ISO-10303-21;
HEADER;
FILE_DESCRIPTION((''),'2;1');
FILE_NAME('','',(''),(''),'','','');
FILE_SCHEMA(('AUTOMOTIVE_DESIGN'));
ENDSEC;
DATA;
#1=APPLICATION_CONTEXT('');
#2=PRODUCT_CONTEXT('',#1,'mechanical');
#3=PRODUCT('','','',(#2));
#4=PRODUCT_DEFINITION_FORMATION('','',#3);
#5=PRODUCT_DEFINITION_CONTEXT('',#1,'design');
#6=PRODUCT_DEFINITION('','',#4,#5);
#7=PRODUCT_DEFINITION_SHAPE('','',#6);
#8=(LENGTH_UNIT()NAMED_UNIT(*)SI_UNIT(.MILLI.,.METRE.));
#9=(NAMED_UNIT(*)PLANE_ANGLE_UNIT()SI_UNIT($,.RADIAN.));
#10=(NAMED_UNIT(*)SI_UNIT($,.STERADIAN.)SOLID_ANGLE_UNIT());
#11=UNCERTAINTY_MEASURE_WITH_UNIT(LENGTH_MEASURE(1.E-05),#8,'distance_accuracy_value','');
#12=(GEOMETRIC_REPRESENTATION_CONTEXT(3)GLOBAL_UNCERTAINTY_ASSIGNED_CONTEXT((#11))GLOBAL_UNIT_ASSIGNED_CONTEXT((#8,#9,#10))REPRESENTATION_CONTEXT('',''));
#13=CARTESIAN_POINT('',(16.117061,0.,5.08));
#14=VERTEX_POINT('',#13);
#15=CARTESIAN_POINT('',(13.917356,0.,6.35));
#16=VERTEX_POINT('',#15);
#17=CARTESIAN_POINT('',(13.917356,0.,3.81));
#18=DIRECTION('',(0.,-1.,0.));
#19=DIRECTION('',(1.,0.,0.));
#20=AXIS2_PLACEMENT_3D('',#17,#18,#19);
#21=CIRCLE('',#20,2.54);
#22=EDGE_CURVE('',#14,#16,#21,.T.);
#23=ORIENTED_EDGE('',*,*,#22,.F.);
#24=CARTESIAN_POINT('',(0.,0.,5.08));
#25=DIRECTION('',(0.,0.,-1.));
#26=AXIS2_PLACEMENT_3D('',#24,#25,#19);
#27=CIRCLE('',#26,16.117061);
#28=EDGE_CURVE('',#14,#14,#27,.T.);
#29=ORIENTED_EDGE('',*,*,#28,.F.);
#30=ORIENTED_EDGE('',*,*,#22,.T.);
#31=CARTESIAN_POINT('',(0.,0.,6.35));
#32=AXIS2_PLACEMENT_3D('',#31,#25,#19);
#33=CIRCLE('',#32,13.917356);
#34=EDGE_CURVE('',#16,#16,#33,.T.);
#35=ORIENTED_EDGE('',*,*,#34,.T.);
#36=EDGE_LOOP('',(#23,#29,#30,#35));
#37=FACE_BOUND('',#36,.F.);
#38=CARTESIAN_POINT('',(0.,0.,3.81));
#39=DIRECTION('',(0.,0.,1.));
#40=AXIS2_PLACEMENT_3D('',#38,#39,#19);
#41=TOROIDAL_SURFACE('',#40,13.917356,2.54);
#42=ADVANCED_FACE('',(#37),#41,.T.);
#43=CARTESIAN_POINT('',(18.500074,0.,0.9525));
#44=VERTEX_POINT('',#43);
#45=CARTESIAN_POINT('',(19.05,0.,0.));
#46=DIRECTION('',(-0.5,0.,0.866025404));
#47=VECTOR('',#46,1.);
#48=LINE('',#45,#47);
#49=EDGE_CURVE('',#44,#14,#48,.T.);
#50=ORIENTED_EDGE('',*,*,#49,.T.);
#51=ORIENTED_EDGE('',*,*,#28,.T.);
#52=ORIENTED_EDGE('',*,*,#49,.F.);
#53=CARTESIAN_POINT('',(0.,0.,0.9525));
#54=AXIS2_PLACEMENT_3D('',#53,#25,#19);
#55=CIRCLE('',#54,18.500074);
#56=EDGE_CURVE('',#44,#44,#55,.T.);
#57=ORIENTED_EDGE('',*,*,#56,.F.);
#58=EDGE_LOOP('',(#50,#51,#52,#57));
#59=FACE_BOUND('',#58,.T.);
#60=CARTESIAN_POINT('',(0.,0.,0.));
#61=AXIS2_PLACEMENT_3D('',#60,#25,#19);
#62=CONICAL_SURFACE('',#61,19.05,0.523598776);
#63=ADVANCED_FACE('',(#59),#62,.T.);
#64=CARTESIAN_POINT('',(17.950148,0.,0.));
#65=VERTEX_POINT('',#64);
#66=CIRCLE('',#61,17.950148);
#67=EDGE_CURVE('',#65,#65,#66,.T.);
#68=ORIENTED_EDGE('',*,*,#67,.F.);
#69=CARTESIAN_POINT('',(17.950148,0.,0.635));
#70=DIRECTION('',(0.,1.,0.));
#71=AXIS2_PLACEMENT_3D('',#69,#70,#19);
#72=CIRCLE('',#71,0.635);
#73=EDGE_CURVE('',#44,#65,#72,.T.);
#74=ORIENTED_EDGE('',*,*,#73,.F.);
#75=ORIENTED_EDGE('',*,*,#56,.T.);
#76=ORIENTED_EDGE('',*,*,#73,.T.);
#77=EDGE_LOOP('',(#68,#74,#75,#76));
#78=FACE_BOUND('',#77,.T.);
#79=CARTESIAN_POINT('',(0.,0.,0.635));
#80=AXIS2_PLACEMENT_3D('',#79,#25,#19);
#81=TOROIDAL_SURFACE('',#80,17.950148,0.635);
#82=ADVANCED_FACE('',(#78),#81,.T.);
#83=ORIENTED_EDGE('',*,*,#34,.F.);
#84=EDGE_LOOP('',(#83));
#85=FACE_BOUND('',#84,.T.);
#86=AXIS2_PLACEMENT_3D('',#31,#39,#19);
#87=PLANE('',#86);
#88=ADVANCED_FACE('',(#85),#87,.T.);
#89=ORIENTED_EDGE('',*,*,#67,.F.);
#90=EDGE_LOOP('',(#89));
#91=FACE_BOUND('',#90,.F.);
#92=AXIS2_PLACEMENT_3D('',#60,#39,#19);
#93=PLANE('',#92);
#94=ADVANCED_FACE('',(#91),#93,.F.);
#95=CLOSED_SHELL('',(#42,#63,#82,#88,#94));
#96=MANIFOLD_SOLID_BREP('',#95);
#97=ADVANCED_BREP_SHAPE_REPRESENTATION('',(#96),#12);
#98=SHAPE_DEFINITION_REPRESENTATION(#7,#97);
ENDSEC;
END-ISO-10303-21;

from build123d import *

# Parameters (mm, degrees)
F0_R     = 19.05
F1_DEPTH = 6.35
F1_TAPER = 30
F2_R     = 2.54
F3_R     = 0.635


with BuildPart() as f1:
    # F0 (on Top) → F1 (new body)
    with BuildSketch(Plane.XY):
        Circle(F0_R)
    extrude(amount=F1_DEPTH, taper=F1_TAPER)

    # F2
    f2_edges = [f1.edges().sort_by_distance(p)[0] for p in [
        (-15.383826, 0, 6.35),
    ]]
    fillet(f2_edges, radius=F2_R)

    # F3
    f3_edges = [f1.edges().sort_by_distance(p)[0] for p in [
        (-19.05, 0, 0),
    ]]
    fillet(f3_edges, radius=F3_R)


solid = f1.part
